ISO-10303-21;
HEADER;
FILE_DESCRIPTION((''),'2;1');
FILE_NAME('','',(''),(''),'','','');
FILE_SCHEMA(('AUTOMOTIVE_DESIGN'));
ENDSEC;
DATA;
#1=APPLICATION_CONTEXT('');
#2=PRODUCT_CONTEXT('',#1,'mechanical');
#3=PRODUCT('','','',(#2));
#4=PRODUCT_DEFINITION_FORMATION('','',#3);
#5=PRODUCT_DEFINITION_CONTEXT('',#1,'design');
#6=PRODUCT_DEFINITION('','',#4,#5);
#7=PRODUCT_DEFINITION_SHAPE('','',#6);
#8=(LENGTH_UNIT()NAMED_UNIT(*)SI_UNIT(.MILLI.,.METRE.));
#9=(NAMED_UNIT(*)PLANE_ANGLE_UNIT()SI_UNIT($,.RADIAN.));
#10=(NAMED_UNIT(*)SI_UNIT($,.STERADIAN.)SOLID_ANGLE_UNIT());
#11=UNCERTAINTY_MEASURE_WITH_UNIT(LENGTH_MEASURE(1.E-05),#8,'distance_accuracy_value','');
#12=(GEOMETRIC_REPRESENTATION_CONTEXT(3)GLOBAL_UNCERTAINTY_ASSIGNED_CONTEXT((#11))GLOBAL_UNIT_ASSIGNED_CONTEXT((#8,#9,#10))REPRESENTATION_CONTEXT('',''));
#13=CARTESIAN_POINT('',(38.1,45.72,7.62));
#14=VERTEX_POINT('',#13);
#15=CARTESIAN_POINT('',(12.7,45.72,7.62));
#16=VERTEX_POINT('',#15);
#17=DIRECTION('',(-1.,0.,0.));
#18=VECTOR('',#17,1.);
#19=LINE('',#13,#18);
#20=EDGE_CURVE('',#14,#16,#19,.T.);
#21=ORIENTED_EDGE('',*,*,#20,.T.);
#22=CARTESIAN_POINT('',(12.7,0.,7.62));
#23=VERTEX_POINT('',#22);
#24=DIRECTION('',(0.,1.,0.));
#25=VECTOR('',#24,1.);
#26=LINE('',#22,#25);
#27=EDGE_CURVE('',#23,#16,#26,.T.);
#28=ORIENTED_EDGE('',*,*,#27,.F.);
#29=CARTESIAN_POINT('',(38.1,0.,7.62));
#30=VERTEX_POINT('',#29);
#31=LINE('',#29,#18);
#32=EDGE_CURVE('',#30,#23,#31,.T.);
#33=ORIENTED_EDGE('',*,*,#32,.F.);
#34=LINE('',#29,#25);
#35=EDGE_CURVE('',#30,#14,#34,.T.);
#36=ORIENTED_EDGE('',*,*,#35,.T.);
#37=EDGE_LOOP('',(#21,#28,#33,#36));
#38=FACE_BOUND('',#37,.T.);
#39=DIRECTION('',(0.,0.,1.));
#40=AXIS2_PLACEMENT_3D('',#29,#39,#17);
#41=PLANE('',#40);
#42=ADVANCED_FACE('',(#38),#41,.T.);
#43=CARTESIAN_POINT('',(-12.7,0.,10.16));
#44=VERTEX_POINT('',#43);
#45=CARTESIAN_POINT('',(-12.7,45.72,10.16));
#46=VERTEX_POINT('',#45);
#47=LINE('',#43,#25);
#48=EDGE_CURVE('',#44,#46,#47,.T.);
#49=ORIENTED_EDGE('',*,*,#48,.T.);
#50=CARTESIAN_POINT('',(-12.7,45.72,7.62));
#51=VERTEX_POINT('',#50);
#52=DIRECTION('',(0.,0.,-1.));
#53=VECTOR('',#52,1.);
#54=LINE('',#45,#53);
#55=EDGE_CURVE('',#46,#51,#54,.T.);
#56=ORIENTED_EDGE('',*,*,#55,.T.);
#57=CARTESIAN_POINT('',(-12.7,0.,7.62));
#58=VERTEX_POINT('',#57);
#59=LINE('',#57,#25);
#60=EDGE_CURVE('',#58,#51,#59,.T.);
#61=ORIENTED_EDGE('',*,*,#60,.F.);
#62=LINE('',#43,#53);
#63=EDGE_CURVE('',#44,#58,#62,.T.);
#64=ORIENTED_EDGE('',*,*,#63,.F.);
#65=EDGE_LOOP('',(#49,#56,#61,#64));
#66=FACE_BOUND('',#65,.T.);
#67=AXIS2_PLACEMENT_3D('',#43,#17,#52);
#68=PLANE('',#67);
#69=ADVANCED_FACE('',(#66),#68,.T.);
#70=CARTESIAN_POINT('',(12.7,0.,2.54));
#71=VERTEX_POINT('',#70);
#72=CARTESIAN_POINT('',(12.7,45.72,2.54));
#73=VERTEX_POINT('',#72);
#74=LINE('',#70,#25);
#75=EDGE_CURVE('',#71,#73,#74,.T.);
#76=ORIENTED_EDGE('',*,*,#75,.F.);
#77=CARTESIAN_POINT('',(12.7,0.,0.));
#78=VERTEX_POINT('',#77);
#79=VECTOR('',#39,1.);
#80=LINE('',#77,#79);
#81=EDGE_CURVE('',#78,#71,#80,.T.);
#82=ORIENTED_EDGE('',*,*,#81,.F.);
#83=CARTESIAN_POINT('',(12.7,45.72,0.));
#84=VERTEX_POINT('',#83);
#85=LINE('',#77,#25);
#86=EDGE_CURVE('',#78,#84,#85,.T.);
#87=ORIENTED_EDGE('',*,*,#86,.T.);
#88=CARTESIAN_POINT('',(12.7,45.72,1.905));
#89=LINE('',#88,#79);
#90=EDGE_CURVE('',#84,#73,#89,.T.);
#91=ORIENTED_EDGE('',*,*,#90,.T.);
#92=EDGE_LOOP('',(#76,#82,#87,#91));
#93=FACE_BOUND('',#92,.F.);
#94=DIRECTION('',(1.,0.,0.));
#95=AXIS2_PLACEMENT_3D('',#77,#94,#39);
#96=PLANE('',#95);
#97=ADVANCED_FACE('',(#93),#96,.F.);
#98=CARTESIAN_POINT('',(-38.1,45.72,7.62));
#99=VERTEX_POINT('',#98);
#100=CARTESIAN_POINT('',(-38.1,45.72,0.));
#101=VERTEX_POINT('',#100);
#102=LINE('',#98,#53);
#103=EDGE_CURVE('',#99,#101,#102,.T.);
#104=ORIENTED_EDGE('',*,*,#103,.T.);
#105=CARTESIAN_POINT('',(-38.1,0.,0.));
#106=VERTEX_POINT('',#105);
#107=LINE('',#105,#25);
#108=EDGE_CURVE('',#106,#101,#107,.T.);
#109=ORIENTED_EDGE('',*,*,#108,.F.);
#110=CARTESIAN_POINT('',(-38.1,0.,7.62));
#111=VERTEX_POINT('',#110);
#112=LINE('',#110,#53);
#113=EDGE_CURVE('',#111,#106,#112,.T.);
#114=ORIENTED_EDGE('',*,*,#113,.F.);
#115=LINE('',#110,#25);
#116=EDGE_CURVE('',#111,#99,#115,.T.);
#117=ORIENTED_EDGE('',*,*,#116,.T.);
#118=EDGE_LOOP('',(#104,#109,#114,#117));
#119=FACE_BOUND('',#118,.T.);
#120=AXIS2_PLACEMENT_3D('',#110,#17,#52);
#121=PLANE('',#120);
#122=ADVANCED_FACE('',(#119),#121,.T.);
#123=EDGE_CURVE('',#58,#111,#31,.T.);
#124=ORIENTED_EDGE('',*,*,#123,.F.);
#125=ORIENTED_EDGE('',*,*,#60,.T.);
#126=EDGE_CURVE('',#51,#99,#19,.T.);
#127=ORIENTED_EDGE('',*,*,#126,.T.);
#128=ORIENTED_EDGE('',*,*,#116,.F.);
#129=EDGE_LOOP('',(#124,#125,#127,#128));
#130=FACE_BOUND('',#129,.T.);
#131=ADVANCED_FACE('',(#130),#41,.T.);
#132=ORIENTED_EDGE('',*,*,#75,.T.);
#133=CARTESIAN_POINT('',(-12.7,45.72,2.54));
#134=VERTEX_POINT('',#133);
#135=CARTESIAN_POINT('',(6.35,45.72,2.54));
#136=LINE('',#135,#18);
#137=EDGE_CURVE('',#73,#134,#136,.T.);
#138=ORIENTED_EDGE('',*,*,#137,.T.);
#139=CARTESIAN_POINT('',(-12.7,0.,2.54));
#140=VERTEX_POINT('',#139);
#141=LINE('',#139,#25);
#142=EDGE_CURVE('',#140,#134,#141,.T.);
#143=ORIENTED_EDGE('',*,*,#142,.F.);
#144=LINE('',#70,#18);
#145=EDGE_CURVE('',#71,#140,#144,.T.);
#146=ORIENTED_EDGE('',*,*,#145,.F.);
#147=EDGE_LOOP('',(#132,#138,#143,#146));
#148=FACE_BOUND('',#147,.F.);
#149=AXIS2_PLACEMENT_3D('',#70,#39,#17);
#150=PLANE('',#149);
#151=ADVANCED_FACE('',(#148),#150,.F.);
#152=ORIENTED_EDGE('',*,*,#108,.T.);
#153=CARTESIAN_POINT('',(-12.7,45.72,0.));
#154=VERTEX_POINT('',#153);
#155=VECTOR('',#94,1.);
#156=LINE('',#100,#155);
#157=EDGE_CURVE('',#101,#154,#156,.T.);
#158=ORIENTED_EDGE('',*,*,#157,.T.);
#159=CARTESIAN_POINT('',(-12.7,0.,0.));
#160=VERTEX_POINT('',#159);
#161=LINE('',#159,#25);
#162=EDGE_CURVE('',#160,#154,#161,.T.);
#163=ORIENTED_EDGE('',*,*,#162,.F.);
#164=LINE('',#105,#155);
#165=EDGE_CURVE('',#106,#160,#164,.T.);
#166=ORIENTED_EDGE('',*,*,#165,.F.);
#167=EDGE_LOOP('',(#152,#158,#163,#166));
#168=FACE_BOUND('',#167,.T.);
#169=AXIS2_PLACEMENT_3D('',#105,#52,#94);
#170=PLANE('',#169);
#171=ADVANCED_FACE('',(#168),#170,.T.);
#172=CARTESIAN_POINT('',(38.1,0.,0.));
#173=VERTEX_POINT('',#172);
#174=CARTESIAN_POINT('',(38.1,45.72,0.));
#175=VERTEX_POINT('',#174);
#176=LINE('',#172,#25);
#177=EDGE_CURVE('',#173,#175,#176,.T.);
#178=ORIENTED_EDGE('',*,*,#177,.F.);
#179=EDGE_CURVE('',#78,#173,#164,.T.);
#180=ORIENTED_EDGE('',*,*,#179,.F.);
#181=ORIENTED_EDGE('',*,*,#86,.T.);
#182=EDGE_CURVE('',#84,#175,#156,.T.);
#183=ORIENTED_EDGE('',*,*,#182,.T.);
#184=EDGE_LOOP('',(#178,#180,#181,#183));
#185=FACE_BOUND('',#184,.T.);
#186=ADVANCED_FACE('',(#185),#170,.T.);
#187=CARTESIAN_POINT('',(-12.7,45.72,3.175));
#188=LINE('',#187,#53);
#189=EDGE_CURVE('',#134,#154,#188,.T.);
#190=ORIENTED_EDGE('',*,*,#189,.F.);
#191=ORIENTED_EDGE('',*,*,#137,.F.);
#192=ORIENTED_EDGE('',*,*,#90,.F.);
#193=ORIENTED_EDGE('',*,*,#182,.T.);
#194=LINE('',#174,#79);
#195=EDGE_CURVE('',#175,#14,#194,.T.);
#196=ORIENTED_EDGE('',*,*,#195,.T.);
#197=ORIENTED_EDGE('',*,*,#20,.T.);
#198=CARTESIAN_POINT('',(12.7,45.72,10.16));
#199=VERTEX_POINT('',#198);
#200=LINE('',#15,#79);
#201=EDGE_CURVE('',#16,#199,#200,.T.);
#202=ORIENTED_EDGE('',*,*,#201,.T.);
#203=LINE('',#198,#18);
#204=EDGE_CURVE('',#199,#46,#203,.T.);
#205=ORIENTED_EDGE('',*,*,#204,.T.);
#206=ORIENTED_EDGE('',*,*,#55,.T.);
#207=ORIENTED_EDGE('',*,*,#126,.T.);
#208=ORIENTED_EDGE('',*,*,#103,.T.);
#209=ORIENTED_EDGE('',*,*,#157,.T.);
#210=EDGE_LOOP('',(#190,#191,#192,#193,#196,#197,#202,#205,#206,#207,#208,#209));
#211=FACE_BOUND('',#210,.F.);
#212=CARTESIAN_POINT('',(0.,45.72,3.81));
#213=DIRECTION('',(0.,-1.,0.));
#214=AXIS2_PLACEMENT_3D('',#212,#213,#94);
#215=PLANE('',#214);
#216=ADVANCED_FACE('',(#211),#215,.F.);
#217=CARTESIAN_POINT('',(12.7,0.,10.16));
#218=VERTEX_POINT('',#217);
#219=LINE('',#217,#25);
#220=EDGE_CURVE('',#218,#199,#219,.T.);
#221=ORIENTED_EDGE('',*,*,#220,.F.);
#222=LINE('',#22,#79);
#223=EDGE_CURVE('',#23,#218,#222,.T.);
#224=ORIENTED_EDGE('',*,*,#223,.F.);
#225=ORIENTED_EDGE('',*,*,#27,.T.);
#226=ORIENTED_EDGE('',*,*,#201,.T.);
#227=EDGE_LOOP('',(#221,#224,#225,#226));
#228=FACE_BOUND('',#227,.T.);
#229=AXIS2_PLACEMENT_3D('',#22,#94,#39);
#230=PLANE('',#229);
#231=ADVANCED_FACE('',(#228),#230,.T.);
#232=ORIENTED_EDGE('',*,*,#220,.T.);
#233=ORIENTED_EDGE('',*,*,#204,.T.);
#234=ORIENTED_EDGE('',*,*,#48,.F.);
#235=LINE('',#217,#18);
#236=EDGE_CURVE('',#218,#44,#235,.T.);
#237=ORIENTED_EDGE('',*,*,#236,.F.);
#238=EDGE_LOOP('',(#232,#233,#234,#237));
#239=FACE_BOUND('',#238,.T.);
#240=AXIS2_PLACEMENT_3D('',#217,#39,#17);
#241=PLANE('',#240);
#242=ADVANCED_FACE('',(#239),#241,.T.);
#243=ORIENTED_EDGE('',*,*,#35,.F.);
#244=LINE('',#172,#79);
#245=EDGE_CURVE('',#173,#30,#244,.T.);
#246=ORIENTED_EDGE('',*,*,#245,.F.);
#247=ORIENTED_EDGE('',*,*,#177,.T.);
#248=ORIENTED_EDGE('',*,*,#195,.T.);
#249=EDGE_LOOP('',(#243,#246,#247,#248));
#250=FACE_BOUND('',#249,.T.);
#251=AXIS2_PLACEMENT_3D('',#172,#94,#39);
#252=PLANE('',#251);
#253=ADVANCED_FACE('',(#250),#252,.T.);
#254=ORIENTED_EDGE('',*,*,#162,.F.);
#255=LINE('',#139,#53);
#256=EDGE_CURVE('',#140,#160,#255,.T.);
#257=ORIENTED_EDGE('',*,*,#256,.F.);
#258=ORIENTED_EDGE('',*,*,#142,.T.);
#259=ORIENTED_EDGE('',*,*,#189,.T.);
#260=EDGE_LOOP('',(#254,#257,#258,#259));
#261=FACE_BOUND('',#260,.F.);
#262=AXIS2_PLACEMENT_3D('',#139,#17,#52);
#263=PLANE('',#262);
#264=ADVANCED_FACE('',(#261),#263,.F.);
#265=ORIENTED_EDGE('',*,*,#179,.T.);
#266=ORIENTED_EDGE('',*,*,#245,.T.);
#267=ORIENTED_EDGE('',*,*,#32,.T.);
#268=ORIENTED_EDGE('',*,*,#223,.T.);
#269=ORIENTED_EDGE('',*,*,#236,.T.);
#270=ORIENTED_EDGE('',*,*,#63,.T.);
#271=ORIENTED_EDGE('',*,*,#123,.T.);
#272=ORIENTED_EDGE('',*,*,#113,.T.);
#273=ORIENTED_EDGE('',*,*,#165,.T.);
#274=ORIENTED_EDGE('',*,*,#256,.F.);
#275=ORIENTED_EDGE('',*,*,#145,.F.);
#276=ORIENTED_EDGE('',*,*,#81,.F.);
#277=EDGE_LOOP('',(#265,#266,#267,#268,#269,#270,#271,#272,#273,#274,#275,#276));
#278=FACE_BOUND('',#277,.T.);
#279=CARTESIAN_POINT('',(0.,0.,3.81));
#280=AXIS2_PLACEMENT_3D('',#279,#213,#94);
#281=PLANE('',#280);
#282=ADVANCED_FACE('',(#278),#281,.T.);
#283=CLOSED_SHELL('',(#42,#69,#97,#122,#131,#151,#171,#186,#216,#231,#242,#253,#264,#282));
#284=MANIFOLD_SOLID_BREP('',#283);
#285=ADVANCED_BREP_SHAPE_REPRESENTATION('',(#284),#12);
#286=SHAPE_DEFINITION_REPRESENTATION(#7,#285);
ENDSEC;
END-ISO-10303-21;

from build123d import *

# Parameters (mm, degrees)
F1_DEPTH = 45.72
F4_DEPTH = 45.721
F7_DEPTH = 45.72


with BuildPart() as f1:
    # F0 (on Front) → F1 (new body)
    with BuildSketch(Plane.XZ):
        Polygon((-38.1, 0), (0, 0), (38.1, 0), (38.1, 7.62), (-38.1, 7.62), align=None)
    extrude(amount=-F1_DEPTH)

    # F3 (on offset) → F4 (cut, through all)
    with BuildSketch(Plane.XZ):
        Polygon((-12.7, 0), (0, 0), (12.7, 0), (12.7, 2.54), (-12.7, 2.54), align=None)
    extrude(amount=-F4_DEPTH, mode=Mode.SUBTRACT)

    # F6 (on offset) → F7 (join)
    with BuildSketch(Plane.XZ):
        Polygon((-12.7, 7.62), (0, 7.62), (12.7, 7.62), (12.7, 10.16), (-12.7, 10.16), align=None)
    extrude(amount=-F7_DEPTH)


solid = f1.part
